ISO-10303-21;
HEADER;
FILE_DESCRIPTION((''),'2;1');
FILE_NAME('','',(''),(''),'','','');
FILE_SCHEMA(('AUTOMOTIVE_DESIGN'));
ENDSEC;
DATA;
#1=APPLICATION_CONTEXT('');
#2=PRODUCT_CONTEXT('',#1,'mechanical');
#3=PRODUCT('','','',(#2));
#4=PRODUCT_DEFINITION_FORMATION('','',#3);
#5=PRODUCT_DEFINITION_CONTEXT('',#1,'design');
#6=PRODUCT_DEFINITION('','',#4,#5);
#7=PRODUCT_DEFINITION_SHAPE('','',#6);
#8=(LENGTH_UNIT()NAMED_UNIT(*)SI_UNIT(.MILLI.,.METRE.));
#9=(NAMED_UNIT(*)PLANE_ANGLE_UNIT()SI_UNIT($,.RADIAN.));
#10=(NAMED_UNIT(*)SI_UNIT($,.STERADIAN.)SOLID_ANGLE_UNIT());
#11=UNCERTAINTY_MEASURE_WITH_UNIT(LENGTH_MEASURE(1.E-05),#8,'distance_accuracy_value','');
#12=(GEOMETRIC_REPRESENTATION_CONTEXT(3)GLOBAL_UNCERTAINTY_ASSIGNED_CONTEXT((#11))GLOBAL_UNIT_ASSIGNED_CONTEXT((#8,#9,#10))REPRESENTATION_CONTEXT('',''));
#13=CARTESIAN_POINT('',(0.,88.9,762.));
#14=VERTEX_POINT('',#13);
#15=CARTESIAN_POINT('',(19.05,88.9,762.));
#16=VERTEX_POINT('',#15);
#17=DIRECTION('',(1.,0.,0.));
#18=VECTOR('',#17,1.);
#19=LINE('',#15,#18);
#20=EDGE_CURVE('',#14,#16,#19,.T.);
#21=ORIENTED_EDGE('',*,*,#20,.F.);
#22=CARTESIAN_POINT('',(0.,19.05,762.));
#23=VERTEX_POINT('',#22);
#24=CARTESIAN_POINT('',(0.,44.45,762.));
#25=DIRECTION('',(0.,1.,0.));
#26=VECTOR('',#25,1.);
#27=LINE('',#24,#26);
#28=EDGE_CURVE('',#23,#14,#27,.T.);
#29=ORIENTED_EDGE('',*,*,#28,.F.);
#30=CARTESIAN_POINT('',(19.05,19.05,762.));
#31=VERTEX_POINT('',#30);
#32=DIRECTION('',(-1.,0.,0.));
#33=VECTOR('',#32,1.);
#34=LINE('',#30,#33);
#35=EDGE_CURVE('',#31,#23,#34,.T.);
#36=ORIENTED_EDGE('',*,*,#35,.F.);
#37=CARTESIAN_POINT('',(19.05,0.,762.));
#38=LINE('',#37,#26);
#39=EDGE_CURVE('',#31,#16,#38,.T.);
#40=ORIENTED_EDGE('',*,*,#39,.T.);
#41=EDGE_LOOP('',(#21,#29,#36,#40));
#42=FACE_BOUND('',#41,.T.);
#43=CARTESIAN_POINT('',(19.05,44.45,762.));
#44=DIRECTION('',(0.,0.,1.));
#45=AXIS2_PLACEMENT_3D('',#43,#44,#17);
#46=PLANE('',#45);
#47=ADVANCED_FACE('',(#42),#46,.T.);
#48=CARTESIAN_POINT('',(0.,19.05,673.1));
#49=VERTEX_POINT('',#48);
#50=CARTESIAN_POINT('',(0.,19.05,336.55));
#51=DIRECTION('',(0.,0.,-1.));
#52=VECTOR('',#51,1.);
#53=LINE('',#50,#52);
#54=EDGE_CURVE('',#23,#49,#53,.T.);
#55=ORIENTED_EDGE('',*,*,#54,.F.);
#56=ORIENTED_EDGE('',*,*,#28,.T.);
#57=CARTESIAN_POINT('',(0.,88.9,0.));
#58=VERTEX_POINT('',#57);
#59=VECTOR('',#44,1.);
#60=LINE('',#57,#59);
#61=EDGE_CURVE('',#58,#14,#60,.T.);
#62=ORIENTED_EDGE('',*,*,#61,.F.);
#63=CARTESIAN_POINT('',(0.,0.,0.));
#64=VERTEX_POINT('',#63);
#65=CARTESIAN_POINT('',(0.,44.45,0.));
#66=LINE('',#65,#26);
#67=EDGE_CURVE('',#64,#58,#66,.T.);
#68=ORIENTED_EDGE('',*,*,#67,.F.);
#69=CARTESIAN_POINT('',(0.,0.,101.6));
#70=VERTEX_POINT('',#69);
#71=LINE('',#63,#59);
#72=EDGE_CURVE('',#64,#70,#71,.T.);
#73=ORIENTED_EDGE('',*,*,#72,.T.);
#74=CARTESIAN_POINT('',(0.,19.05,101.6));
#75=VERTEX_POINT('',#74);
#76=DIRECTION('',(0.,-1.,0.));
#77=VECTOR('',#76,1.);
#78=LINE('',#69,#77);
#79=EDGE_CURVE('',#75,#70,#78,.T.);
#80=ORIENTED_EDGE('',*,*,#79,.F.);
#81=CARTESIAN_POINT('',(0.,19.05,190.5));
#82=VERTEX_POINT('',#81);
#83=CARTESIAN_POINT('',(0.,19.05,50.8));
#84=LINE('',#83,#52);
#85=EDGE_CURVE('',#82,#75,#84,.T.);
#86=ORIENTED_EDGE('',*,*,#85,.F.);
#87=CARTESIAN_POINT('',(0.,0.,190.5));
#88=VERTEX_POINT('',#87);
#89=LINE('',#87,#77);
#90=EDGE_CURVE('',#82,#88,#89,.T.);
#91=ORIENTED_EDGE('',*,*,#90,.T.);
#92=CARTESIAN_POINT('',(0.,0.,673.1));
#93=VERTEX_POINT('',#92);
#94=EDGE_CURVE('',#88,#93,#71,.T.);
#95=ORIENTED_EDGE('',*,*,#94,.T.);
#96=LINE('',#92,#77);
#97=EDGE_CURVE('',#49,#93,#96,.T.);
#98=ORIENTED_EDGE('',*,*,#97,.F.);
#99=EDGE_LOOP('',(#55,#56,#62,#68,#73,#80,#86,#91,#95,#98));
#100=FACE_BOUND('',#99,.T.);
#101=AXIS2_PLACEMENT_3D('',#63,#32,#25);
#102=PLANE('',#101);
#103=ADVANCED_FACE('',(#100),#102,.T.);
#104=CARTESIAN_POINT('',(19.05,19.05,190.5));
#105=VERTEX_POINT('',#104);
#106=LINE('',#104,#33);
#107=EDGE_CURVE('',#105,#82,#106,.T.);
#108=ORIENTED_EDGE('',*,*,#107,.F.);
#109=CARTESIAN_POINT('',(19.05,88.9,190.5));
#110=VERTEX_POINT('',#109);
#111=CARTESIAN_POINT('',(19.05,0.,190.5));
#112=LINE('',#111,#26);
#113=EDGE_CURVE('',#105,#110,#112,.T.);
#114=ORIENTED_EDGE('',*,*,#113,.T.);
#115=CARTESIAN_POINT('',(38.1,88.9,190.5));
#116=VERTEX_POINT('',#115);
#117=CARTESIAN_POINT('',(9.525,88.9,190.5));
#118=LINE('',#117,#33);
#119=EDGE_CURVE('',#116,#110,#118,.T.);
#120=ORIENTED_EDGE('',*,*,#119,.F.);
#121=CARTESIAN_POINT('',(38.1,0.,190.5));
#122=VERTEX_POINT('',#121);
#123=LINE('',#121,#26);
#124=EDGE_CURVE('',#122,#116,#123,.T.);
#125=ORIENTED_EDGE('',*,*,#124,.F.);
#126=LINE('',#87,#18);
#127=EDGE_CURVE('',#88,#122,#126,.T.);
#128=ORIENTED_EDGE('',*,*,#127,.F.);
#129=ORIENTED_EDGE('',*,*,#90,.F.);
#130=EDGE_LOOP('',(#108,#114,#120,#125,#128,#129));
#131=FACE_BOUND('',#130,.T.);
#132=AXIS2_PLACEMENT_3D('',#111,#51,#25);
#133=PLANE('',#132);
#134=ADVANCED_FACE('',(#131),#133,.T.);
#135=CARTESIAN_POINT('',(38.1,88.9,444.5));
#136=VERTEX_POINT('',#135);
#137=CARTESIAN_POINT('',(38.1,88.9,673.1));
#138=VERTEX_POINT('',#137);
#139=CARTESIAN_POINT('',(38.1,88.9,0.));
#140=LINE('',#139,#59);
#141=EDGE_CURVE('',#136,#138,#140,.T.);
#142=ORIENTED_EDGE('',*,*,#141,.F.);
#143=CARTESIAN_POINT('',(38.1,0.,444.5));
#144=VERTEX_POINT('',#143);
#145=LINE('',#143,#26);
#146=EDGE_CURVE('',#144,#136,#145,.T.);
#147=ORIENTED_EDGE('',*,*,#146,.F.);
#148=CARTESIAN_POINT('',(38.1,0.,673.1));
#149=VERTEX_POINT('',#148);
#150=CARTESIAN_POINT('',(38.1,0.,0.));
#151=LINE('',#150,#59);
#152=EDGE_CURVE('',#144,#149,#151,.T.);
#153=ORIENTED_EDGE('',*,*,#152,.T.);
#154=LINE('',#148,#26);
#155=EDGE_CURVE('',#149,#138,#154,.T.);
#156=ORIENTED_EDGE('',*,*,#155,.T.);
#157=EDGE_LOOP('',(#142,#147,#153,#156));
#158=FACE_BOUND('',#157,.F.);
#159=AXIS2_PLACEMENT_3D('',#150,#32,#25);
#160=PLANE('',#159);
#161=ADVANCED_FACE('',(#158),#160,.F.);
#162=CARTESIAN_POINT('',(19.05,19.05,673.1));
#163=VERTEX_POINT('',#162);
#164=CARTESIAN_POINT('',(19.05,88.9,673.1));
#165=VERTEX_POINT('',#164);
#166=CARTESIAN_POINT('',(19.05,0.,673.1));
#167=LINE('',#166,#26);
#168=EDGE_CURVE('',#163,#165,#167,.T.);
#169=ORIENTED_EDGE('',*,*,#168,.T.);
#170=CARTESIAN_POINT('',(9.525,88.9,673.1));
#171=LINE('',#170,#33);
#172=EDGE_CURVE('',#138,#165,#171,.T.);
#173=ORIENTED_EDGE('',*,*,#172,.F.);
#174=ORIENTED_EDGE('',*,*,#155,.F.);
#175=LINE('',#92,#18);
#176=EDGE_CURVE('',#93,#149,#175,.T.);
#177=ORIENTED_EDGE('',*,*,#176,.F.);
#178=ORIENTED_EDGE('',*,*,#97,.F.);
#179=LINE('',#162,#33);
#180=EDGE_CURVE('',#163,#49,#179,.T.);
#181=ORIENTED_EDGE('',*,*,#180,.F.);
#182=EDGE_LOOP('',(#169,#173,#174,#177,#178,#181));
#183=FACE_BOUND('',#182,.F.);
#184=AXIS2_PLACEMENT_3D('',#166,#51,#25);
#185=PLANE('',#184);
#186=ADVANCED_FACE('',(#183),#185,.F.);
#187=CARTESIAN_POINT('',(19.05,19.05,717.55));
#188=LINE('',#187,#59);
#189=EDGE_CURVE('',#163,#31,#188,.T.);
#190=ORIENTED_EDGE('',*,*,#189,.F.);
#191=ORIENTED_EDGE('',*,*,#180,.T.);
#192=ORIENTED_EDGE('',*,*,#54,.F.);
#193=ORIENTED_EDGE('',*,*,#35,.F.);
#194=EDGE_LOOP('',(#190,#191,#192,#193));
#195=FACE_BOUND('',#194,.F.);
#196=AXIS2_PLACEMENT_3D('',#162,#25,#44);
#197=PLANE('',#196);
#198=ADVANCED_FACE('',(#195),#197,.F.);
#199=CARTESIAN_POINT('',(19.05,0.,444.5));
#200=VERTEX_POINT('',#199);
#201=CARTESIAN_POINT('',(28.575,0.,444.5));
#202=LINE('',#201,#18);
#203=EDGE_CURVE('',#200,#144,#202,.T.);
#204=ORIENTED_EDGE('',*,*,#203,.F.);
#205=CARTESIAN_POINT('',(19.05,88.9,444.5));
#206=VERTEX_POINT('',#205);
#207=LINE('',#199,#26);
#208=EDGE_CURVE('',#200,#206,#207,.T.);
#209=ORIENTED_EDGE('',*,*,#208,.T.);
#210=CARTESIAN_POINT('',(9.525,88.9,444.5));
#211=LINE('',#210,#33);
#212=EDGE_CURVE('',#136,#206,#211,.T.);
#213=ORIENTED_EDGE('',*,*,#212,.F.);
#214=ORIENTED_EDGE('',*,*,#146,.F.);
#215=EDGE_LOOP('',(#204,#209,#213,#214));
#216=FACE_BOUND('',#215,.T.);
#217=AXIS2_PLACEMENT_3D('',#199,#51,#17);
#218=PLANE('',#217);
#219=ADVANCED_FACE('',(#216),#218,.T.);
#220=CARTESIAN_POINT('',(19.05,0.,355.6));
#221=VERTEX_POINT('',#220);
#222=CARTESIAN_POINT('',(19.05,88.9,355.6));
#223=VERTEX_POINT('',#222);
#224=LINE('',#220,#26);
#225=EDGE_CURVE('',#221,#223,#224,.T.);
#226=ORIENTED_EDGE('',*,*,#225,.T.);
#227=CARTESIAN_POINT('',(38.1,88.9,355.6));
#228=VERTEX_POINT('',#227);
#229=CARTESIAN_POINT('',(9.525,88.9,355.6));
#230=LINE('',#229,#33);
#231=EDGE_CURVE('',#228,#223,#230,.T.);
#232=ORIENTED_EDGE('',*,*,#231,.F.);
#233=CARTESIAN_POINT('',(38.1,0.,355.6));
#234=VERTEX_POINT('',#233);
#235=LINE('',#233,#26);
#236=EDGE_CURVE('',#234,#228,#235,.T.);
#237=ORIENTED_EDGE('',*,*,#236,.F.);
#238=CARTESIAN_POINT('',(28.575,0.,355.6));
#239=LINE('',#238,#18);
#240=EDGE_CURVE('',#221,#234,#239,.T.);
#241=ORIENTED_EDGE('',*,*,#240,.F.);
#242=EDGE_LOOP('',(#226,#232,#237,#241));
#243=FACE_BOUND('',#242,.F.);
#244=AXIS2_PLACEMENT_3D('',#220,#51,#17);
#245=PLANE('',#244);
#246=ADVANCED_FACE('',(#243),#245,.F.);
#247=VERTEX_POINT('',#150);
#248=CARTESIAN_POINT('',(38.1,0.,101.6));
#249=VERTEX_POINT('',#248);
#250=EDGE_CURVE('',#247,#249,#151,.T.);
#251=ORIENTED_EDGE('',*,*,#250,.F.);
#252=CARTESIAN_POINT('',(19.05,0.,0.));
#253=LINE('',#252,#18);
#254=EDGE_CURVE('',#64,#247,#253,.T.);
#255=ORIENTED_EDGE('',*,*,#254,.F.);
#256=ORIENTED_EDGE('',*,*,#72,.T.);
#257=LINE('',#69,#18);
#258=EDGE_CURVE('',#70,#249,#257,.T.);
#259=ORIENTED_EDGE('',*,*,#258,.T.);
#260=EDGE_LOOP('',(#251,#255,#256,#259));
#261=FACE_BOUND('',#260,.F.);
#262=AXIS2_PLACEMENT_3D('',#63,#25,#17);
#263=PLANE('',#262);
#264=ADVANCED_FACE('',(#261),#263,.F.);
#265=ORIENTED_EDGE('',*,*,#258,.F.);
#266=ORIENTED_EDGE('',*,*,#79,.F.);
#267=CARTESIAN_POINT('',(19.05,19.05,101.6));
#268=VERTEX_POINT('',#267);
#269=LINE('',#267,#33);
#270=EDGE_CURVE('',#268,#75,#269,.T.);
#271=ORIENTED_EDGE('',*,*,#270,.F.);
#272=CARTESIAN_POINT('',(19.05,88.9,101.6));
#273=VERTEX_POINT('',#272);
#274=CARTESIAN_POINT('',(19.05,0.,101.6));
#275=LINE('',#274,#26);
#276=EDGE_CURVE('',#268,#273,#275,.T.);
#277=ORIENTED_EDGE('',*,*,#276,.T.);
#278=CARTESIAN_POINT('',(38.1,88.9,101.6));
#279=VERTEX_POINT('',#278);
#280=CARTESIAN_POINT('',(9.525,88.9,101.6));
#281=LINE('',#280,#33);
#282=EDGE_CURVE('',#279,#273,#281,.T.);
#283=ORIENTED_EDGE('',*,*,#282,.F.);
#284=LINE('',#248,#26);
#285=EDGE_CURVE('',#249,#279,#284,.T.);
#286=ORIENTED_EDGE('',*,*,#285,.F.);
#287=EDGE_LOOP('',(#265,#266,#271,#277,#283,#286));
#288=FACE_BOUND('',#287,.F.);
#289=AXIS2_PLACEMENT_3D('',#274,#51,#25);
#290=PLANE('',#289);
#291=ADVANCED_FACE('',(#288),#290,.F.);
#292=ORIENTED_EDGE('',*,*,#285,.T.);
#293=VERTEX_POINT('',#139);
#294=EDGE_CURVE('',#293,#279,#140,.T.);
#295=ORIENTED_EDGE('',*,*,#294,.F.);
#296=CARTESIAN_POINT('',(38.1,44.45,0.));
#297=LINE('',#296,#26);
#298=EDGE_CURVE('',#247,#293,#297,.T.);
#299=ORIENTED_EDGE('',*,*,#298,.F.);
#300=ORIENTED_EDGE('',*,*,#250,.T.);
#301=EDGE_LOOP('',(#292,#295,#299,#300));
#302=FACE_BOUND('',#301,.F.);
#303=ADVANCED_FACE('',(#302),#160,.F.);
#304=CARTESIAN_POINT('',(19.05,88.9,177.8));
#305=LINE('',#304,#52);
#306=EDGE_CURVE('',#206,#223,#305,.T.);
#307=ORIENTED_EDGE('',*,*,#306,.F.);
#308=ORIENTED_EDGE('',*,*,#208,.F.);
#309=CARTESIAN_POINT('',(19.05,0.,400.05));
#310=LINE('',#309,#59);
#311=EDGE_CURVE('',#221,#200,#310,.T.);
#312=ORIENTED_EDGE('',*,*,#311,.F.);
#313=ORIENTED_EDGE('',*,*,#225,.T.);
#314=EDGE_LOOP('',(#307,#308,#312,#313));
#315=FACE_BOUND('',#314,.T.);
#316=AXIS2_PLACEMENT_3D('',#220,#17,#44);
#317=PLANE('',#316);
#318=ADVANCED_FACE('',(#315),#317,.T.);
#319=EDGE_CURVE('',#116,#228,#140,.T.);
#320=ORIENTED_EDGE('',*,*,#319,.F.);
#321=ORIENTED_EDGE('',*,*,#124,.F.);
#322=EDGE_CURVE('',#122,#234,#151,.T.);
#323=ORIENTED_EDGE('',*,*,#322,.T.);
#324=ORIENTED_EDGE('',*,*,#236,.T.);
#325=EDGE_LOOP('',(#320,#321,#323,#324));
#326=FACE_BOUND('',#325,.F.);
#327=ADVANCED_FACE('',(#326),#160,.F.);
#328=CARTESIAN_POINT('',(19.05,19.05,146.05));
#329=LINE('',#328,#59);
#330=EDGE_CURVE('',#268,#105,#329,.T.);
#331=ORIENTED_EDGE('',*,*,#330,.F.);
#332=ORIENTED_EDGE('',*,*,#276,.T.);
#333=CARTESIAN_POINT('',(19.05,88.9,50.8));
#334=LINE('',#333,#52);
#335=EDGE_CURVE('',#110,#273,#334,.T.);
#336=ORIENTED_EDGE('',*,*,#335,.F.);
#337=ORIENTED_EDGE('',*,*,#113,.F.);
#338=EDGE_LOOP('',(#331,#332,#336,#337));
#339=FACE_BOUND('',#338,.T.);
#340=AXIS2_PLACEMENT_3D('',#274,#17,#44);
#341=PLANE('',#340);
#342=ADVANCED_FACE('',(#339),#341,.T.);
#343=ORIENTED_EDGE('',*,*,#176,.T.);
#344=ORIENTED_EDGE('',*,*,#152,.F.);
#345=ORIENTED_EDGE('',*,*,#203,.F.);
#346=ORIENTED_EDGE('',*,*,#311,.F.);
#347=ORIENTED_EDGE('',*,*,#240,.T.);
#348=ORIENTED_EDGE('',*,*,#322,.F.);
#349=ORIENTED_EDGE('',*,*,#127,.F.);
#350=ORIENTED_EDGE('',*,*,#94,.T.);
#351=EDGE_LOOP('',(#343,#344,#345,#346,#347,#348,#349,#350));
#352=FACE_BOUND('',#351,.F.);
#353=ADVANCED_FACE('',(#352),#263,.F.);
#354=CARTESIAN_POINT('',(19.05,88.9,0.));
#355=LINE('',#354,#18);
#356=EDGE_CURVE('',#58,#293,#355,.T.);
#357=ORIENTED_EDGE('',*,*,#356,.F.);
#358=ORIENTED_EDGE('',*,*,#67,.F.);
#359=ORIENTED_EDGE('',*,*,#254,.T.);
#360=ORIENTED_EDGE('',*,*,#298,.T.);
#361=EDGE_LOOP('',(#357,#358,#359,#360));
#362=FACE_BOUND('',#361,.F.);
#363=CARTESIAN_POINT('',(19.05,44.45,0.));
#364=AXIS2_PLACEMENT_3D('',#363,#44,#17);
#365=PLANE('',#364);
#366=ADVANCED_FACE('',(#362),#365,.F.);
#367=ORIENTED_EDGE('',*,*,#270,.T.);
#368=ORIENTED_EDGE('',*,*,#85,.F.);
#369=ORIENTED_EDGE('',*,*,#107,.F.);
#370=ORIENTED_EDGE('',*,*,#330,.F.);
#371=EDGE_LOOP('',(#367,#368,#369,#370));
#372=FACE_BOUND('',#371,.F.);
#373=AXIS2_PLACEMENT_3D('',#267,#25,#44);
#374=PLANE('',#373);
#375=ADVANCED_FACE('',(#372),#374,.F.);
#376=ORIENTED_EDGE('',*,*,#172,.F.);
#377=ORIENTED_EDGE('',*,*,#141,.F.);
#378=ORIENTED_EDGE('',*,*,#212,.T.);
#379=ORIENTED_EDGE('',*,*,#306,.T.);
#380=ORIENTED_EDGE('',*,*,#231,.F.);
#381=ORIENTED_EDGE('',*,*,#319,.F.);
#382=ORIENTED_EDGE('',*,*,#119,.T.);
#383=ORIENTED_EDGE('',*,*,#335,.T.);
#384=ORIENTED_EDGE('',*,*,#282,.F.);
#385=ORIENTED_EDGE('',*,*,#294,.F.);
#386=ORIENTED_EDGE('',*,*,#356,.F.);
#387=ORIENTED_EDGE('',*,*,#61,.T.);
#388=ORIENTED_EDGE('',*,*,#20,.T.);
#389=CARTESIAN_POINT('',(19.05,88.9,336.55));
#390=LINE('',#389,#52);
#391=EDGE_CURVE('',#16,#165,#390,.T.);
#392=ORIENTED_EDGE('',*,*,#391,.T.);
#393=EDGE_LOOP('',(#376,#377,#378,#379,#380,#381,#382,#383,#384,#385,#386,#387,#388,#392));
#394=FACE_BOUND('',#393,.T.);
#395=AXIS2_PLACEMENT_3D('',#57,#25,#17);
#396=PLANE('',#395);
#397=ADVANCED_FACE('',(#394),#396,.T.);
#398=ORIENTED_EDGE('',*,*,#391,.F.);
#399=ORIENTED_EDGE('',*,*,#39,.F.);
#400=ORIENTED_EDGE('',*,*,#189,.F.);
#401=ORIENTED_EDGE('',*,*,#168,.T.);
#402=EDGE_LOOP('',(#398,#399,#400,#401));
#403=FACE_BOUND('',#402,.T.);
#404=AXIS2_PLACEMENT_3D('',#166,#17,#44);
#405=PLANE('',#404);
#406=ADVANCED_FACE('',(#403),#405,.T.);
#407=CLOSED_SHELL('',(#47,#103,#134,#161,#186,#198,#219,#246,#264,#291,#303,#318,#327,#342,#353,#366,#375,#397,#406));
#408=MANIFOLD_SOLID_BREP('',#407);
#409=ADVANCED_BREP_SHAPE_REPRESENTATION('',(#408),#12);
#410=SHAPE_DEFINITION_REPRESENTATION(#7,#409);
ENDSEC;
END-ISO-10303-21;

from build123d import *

# Parameters (mm, degrees)
F0_W      = 38.1
F0_H      = 88.9
F1_DEPTH  = 762
F2_W      = 19.05
F2_H      = 88.9
F3_DEPTH  = 88.901
F4_W      = 19.05
F4_H      = 88.9
F5_DEPTH  = 88.901
F6_W      = 19.05
F6_H      = 88.9
F7_DEPTH  = 88.901
F8_W      = 19.05
F8_H      = 88.9
F9_DEPTH  = 19.051
F10_W     = 19.05
F10_H     = 88.9
F11_DEPTH = 19.051


with BuildPart() as f1:
    # F0 (on Top) → F1 (new body)
    with BuildSketch(Plane.XY):
        with Locations((19.05, 44.45)):
            Rectangle(F0_W, F0_H)
    extrude(amount=F1_DEPTH)

    # F2 (on face) → F3 (cut, through all)
    with BuildSketch(Plane.XZ):
        with Locations((28.575, 717.55)):
            Rectangle(F2_W, F2_H)
    extrude(amount=-F3_DEPTH, mode=Mode.SUBTRACT)

    # F4 (on face) → F5 (cut, through all)
    with BuildSketch(Plane.XZ):
        with Locations((28.575, 146.05)):
            Rectangle(F4_W, F4_H)
    extrude(amount=-F5_DEPTH, mode=Mode.SUBTRACT)

    # F6 (on face) → F7 (cut, through all)
    with BuildSketch(Plane.XZ):
        with Locations((28.575, 400.05)):
            Rectangle(F6_W, F6_H)
    extrude(amount=-F7_DEPTH, mode=Mode.SUBTRACT)

    # F8 (on face) → F9 (cut, through all)
    with BuildSketch(Plane.YZ.offset(19.05)):
        with Locations((9.525, 146.05)):
            Rectangle(F8_W, F8_H)
    extrude(amount=-F9_DEPTH, mode=Mode.SUBTRACT)

    # F10 (on face) → F11 (cut, through all)
    with BuildSketch(Plane.YZ.offset(19.05)):
        with Locations((9.525, 717.55)):
            Rectangle(F10_W, F10_H)
    extrude(amount=-F11_DEPTH, mode=Mode.SUBTRACT)


solid = f1.part
